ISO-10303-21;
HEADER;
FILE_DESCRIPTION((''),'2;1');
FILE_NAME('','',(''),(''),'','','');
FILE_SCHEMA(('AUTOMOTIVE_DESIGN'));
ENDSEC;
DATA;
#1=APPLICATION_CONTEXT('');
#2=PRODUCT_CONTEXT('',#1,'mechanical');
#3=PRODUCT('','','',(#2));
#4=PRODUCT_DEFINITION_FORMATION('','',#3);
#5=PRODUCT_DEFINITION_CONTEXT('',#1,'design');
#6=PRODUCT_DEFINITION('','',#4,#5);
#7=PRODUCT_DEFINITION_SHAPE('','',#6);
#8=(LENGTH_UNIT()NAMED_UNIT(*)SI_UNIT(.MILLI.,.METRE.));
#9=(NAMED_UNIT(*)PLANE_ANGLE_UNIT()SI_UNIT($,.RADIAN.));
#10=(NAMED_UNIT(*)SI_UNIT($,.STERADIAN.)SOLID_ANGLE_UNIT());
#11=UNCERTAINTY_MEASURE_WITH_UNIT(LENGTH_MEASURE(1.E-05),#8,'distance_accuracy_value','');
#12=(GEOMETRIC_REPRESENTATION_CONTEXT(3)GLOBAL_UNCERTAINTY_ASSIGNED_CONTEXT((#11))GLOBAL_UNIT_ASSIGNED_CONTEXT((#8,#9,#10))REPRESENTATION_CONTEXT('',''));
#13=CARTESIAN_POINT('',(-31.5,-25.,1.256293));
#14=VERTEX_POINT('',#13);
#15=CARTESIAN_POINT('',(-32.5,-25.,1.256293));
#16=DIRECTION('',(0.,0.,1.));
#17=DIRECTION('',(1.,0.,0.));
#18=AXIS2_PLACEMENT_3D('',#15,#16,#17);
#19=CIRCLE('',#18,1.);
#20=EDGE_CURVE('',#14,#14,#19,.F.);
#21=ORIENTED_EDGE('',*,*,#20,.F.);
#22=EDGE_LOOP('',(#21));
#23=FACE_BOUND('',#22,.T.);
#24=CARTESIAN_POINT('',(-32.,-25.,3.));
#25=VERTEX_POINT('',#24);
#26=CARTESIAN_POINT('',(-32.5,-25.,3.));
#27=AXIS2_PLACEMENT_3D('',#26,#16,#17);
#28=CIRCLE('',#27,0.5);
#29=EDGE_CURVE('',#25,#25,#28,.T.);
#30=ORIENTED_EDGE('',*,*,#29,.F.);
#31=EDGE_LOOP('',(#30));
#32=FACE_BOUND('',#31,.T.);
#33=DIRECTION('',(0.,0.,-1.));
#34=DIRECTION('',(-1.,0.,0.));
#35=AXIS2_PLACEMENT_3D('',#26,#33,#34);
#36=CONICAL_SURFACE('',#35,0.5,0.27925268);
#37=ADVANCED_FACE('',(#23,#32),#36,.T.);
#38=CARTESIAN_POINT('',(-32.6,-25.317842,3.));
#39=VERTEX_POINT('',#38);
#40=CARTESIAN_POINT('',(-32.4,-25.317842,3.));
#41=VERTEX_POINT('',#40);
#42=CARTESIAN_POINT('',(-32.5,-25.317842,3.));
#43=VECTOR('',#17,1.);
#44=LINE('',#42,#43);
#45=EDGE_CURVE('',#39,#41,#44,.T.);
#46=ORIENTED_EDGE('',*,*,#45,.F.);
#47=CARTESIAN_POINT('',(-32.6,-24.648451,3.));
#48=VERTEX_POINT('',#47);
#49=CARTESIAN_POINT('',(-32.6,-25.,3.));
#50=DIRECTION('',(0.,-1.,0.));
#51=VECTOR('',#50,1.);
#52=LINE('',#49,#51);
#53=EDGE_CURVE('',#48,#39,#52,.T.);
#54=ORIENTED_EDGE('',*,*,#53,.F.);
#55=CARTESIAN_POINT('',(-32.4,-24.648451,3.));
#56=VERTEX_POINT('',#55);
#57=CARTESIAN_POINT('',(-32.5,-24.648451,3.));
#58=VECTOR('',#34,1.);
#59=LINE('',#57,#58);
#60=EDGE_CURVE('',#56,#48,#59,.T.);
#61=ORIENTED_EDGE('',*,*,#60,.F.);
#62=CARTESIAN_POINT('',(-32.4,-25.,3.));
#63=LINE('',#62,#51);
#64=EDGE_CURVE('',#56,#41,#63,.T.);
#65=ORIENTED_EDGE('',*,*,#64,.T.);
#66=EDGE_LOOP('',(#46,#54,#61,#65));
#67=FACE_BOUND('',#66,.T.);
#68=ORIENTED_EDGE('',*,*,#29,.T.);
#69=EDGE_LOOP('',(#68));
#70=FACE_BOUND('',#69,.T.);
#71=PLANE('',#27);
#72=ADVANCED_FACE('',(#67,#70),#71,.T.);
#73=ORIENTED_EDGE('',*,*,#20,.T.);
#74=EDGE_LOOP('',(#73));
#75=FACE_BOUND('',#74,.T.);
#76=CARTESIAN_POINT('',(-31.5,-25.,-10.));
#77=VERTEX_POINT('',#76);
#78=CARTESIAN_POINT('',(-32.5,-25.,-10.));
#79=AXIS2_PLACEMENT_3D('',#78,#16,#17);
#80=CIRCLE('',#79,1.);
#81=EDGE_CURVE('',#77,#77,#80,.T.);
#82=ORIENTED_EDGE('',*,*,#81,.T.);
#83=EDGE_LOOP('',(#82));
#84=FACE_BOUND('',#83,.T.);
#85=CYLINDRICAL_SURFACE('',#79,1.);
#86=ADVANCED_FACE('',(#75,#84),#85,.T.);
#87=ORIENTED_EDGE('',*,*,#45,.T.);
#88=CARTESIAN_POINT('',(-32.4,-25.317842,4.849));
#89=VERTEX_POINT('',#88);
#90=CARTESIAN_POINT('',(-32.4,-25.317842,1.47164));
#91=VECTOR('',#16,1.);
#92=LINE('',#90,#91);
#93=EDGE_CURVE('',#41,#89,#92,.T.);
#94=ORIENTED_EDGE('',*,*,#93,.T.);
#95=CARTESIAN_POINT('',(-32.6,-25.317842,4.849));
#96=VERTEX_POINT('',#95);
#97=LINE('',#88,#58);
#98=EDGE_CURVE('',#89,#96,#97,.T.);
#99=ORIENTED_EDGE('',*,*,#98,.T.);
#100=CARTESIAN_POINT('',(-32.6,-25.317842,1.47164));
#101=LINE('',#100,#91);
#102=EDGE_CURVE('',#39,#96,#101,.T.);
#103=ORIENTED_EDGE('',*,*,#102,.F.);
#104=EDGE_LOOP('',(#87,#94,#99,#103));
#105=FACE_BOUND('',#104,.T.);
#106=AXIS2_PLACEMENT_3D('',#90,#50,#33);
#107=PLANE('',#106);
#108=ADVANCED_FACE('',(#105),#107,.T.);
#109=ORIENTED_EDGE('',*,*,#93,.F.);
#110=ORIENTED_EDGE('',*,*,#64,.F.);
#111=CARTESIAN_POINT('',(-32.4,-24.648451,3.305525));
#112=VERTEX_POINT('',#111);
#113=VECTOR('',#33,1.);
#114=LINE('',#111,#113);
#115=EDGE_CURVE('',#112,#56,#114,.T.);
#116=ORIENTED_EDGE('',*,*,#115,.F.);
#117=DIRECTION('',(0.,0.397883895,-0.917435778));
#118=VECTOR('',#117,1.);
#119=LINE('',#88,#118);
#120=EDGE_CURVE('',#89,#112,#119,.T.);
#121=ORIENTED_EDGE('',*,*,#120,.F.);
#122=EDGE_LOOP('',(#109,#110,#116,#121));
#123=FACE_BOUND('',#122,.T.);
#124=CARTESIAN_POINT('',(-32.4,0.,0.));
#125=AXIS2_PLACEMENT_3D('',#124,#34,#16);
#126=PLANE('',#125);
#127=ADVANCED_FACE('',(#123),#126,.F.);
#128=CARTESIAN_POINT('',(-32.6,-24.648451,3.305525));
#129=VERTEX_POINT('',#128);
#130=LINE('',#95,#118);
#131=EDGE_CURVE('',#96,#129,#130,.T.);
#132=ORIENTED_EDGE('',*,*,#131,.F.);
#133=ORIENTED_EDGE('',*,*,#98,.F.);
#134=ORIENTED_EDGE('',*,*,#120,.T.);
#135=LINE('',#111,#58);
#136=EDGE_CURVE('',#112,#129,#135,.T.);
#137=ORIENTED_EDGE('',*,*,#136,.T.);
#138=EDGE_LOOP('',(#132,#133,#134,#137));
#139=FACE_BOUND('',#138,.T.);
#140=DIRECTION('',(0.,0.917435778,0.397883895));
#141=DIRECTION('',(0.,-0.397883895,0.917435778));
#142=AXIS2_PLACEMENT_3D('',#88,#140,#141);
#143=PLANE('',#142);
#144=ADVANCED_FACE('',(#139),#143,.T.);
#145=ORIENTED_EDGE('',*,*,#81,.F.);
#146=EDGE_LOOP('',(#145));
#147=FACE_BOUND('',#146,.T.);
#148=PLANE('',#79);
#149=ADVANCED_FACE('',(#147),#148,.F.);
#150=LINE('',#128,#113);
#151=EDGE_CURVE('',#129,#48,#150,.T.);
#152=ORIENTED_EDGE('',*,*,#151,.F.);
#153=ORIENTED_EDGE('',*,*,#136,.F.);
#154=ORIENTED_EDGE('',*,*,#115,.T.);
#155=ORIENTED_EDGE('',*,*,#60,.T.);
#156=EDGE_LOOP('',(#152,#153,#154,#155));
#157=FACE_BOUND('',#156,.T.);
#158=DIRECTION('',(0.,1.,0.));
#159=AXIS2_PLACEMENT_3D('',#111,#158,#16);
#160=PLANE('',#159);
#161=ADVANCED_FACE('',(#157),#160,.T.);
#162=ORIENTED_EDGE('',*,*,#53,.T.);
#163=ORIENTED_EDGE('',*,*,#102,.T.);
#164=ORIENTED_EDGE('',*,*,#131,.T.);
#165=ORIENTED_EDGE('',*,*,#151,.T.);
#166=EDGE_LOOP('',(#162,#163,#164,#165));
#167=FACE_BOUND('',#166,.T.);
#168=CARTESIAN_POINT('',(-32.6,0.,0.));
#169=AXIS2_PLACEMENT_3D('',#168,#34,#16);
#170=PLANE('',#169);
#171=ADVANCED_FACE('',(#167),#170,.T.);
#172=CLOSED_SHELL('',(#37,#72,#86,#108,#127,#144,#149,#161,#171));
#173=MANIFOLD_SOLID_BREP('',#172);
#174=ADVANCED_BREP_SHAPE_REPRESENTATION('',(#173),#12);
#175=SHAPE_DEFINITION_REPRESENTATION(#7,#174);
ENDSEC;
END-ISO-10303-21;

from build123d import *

# Parameters (mm, degrees)
BOSS_EXTRUDE1_DEPTH      = 3
BOSS_EXTRUDE1_DEPTH_BACK = 10
SKETCH1_R                = 1
CHAMFER1_SIZE            = 0.5
CHAMFER1_SIZE2           = 1.743707222
BOSS_EXTRUDE2_DEPTH      = 0.1
BOSS_EXTRUDE2_DEPTH_BACK = 0.1


with BuildPart() as part:
    # Sketch1 → Boss-Extrude1 (new, two sides: drawn at the far end of the back side and taken through both)
    with BuildSketch(Plane.XY.offset(-BOSS_EXTRUDE1_DEPTH_BACK)):
        with Locations((-32.5, -25)):
            Circle(SKETCH1_R)
    extrude(amount=BOSS_EXTRUDE1_DEPTH + BOSS_EXTRUDE1_DEPTH_BACK)

    # Chamfer1
    chamfer1_edges = [part.edges().sort_by_distance(p)[0] for p in [
        (-33.5, -25, 3),
    ]]
    chamfer1_side = [part.faces().sort_by_distance(p)[0] for p in [
        (-32.5, -25, 3),
    ]]
    chamfer(chamfer1_edges, length=CHAMFER1_SIZE, length2=CHAMFER1_SIZE2, reference=chamfer1_side[0])

    # Sketch2 → Boss-Extrude2 (add, two sides: drawn at the far end of the back side and taken through both)
    with BuildSketch(Plane.ZY.offset(32.5).offset(-BOSS_EXTRUDE2_DEPTH_BACK)):
        Polygon((1.471640108, -25.31784203), (4.848999991, -25.31784203), (3.30552546, -24.648450588), (1.471640108, -24.648450588), align=None)
    extrude(amount=BOSS_EXTRUDE2_DEPTH + BOSS_EXTRUDE2_DEPTH_BACK)


solid = part.part
